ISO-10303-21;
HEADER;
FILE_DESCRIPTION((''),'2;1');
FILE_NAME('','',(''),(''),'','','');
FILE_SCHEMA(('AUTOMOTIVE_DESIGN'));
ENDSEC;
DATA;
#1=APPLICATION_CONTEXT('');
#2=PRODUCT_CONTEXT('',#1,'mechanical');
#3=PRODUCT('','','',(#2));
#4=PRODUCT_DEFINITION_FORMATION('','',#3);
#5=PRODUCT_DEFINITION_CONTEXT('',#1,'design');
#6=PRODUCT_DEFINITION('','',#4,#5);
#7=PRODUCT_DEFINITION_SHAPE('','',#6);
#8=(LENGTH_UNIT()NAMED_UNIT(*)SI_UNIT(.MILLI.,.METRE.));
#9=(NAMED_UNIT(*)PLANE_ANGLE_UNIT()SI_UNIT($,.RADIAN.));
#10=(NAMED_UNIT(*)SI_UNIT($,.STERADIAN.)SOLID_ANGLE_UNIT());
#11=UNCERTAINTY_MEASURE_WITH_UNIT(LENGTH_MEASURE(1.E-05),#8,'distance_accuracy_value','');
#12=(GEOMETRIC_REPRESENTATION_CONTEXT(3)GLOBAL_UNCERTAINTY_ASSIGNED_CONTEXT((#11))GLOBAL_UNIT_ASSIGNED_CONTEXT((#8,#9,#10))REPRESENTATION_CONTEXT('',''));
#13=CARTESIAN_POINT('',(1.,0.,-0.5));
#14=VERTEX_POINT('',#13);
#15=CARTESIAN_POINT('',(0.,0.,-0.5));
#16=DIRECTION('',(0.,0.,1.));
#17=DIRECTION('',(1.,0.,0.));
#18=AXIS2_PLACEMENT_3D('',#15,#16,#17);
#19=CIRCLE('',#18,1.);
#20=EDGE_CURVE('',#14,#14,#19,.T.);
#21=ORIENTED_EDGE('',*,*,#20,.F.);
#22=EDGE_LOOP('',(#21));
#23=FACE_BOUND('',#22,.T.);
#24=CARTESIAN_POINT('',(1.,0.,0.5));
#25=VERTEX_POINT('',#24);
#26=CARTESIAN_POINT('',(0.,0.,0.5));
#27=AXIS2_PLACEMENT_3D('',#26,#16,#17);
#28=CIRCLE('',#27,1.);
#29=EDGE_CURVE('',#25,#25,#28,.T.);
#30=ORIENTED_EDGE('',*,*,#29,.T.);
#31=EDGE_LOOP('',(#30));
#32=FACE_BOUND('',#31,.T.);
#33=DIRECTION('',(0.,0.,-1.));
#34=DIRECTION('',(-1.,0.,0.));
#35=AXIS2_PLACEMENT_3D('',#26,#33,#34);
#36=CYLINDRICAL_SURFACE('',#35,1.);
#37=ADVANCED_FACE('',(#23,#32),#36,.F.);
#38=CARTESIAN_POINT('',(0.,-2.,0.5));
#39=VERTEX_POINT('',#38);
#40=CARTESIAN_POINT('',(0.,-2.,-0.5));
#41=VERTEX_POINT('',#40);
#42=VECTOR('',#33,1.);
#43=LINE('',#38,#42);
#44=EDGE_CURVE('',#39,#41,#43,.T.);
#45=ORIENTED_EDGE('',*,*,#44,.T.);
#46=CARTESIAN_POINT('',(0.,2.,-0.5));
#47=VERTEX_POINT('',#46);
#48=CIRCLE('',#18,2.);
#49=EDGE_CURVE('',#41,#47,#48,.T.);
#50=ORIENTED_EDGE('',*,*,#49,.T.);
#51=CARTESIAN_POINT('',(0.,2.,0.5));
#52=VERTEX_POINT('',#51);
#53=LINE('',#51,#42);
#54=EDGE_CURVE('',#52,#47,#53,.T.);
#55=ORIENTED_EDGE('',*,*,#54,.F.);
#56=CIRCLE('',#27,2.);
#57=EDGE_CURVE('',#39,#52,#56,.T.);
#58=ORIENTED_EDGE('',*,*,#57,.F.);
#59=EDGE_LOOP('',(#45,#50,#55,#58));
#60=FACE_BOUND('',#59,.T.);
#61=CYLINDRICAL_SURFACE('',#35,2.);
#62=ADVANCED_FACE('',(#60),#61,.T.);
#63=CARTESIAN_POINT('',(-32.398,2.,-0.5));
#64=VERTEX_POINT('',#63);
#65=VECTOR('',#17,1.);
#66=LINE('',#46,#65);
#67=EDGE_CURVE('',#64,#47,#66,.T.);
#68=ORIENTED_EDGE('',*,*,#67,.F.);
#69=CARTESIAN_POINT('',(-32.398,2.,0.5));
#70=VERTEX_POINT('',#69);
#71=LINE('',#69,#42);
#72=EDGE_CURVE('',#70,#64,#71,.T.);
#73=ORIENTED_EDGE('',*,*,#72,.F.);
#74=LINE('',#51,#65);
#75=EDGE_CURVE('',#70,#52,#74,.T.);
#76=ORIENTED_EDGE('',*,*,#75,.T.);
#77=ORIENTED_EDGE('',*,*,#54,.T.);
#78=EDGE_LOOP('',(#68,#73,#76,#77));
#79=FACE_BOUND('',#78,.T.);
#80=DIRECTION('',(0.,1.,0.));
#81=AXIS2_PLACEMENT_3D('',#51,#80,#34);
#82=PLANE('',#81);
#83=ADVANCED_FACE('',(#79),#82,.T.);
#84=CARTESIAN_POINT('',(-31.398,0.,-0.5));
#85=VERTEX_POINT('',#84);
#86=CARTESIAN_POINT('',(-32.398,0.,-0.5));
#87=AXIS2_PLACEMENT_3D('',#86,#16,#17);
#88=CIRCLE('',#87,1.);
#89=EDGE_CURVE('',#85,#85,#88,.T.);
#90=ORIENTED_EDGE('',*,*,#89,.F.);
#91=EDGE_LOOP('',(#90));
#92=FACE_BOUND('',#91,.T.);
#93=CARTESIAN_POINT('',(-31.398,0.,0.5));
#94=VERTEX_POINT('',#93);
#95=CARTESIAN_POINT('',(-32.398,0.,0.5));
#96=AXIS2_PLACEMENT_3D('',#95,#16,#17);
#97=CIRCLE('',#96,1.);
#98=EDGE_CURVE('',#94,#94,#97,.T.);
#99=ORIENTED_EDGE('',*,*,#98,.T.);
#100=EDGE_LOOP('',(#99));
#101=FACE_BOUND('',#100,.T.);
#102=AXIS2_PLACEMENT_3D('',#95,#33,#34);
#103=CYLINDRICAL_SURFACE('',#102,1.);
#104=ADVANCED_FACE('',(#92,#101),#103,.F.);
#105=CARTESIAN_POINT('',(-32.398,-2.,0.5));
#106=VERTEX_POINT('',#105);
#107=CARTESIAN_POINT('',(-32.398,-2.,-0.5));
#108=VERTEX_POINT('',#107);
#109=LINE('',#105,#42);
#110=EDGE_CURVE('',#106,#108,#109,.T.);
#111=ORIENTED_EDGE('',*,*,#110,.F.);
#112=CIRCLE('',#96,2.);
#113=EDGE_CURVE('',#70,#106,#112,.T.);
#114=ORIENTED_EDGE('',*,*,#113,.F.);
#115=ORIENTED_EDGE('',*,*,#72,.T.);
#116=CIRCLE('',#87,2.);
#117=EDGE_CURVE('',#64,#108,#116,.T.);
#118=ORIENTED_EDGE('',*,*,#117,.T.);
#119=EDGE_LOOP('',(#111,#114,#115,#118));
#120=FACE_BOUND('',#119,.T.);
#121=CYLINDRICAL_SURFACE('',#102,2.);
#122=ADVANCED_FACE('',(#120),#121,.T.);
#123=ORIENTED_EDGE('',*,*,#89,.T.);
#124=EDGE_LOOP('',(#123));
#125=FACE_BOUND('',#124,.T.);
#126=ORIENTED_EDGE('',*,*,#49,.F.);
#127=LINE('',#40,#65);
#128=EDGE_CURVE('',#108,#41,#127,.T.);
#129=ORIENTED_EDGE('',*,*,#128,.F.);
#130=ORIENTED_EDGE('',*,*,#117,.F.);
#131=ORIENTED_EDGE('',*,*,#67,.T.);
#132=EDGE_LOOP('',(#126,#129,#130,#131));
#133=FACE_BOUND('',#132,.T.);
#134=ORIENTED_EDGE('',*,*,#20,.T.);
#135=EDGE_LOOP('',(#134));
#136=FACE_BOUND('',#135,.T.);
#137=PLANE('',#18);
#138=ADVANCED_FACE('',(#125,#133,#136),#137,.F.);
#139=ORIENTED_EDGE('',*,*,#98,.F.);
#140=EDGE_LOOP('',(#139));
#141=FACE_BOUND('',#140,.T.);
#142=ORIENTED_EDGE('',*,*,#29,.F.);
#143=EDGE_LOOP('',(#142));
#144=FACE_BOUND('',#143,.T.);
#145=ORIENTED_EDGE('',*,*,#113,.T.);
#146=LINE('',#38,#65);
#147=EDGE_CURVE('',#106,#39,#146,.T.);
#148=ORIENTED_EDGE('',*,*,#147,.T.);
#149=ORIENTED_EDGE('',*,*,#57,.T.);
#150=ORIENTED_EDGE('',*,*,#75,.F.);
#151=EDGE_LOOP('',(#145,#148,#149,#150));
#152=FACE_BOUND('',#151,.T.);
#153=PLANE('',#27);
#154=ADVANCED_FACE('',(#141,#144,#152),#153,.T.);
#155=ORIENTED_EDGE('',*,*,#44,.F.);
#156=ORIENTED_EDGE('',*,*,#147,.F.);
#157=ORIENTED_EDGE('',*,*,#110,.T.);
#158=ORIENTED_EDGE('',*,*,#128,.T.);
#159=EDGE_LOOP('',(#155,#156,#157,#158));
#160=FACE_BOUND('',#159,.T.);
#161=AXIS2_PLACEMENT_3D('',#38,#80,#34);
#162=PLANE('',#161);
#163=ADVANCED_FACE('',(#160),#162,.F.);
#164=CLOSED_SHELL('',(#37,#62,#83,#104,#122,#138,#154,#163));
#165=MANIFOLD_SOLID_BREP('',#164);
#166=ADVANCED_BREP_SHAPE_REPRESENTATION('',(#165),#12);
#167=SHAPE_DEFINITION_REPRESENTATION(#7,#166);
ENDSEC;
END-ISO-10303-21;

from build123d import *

# Parameters (mm, degrees)
SKETCH_1_R      = 1
EXTRUDE_1_DEPTH = 0.5


with BuildPart() as part:
    # Эскиз1 → Бобышка-Вытянуть1 (new, symmetric)
    with BuildSketch(Plane.XY):
        with BuildLine():
            Line((0, 2), (-32.398, 2))
            ThreePointArc((-32.398, 2), (-34.398, 0), (-32.398, -2))
            Line((-32.398, -2), (0, -2))
            ThreePointArc((0, -2), (2, 0), (0, 2))
        make_face()
        with Locations((-32.398, 0)):
            Circle(SKETCH_1_R, mode=Mode.SUBTRACT)
        Circle(SKETCH_1_R, mode=Mode.SUBTRACT)
    extrude(amount=EXTRUDE_1_DEPTH, both=True)


solid = part.part
